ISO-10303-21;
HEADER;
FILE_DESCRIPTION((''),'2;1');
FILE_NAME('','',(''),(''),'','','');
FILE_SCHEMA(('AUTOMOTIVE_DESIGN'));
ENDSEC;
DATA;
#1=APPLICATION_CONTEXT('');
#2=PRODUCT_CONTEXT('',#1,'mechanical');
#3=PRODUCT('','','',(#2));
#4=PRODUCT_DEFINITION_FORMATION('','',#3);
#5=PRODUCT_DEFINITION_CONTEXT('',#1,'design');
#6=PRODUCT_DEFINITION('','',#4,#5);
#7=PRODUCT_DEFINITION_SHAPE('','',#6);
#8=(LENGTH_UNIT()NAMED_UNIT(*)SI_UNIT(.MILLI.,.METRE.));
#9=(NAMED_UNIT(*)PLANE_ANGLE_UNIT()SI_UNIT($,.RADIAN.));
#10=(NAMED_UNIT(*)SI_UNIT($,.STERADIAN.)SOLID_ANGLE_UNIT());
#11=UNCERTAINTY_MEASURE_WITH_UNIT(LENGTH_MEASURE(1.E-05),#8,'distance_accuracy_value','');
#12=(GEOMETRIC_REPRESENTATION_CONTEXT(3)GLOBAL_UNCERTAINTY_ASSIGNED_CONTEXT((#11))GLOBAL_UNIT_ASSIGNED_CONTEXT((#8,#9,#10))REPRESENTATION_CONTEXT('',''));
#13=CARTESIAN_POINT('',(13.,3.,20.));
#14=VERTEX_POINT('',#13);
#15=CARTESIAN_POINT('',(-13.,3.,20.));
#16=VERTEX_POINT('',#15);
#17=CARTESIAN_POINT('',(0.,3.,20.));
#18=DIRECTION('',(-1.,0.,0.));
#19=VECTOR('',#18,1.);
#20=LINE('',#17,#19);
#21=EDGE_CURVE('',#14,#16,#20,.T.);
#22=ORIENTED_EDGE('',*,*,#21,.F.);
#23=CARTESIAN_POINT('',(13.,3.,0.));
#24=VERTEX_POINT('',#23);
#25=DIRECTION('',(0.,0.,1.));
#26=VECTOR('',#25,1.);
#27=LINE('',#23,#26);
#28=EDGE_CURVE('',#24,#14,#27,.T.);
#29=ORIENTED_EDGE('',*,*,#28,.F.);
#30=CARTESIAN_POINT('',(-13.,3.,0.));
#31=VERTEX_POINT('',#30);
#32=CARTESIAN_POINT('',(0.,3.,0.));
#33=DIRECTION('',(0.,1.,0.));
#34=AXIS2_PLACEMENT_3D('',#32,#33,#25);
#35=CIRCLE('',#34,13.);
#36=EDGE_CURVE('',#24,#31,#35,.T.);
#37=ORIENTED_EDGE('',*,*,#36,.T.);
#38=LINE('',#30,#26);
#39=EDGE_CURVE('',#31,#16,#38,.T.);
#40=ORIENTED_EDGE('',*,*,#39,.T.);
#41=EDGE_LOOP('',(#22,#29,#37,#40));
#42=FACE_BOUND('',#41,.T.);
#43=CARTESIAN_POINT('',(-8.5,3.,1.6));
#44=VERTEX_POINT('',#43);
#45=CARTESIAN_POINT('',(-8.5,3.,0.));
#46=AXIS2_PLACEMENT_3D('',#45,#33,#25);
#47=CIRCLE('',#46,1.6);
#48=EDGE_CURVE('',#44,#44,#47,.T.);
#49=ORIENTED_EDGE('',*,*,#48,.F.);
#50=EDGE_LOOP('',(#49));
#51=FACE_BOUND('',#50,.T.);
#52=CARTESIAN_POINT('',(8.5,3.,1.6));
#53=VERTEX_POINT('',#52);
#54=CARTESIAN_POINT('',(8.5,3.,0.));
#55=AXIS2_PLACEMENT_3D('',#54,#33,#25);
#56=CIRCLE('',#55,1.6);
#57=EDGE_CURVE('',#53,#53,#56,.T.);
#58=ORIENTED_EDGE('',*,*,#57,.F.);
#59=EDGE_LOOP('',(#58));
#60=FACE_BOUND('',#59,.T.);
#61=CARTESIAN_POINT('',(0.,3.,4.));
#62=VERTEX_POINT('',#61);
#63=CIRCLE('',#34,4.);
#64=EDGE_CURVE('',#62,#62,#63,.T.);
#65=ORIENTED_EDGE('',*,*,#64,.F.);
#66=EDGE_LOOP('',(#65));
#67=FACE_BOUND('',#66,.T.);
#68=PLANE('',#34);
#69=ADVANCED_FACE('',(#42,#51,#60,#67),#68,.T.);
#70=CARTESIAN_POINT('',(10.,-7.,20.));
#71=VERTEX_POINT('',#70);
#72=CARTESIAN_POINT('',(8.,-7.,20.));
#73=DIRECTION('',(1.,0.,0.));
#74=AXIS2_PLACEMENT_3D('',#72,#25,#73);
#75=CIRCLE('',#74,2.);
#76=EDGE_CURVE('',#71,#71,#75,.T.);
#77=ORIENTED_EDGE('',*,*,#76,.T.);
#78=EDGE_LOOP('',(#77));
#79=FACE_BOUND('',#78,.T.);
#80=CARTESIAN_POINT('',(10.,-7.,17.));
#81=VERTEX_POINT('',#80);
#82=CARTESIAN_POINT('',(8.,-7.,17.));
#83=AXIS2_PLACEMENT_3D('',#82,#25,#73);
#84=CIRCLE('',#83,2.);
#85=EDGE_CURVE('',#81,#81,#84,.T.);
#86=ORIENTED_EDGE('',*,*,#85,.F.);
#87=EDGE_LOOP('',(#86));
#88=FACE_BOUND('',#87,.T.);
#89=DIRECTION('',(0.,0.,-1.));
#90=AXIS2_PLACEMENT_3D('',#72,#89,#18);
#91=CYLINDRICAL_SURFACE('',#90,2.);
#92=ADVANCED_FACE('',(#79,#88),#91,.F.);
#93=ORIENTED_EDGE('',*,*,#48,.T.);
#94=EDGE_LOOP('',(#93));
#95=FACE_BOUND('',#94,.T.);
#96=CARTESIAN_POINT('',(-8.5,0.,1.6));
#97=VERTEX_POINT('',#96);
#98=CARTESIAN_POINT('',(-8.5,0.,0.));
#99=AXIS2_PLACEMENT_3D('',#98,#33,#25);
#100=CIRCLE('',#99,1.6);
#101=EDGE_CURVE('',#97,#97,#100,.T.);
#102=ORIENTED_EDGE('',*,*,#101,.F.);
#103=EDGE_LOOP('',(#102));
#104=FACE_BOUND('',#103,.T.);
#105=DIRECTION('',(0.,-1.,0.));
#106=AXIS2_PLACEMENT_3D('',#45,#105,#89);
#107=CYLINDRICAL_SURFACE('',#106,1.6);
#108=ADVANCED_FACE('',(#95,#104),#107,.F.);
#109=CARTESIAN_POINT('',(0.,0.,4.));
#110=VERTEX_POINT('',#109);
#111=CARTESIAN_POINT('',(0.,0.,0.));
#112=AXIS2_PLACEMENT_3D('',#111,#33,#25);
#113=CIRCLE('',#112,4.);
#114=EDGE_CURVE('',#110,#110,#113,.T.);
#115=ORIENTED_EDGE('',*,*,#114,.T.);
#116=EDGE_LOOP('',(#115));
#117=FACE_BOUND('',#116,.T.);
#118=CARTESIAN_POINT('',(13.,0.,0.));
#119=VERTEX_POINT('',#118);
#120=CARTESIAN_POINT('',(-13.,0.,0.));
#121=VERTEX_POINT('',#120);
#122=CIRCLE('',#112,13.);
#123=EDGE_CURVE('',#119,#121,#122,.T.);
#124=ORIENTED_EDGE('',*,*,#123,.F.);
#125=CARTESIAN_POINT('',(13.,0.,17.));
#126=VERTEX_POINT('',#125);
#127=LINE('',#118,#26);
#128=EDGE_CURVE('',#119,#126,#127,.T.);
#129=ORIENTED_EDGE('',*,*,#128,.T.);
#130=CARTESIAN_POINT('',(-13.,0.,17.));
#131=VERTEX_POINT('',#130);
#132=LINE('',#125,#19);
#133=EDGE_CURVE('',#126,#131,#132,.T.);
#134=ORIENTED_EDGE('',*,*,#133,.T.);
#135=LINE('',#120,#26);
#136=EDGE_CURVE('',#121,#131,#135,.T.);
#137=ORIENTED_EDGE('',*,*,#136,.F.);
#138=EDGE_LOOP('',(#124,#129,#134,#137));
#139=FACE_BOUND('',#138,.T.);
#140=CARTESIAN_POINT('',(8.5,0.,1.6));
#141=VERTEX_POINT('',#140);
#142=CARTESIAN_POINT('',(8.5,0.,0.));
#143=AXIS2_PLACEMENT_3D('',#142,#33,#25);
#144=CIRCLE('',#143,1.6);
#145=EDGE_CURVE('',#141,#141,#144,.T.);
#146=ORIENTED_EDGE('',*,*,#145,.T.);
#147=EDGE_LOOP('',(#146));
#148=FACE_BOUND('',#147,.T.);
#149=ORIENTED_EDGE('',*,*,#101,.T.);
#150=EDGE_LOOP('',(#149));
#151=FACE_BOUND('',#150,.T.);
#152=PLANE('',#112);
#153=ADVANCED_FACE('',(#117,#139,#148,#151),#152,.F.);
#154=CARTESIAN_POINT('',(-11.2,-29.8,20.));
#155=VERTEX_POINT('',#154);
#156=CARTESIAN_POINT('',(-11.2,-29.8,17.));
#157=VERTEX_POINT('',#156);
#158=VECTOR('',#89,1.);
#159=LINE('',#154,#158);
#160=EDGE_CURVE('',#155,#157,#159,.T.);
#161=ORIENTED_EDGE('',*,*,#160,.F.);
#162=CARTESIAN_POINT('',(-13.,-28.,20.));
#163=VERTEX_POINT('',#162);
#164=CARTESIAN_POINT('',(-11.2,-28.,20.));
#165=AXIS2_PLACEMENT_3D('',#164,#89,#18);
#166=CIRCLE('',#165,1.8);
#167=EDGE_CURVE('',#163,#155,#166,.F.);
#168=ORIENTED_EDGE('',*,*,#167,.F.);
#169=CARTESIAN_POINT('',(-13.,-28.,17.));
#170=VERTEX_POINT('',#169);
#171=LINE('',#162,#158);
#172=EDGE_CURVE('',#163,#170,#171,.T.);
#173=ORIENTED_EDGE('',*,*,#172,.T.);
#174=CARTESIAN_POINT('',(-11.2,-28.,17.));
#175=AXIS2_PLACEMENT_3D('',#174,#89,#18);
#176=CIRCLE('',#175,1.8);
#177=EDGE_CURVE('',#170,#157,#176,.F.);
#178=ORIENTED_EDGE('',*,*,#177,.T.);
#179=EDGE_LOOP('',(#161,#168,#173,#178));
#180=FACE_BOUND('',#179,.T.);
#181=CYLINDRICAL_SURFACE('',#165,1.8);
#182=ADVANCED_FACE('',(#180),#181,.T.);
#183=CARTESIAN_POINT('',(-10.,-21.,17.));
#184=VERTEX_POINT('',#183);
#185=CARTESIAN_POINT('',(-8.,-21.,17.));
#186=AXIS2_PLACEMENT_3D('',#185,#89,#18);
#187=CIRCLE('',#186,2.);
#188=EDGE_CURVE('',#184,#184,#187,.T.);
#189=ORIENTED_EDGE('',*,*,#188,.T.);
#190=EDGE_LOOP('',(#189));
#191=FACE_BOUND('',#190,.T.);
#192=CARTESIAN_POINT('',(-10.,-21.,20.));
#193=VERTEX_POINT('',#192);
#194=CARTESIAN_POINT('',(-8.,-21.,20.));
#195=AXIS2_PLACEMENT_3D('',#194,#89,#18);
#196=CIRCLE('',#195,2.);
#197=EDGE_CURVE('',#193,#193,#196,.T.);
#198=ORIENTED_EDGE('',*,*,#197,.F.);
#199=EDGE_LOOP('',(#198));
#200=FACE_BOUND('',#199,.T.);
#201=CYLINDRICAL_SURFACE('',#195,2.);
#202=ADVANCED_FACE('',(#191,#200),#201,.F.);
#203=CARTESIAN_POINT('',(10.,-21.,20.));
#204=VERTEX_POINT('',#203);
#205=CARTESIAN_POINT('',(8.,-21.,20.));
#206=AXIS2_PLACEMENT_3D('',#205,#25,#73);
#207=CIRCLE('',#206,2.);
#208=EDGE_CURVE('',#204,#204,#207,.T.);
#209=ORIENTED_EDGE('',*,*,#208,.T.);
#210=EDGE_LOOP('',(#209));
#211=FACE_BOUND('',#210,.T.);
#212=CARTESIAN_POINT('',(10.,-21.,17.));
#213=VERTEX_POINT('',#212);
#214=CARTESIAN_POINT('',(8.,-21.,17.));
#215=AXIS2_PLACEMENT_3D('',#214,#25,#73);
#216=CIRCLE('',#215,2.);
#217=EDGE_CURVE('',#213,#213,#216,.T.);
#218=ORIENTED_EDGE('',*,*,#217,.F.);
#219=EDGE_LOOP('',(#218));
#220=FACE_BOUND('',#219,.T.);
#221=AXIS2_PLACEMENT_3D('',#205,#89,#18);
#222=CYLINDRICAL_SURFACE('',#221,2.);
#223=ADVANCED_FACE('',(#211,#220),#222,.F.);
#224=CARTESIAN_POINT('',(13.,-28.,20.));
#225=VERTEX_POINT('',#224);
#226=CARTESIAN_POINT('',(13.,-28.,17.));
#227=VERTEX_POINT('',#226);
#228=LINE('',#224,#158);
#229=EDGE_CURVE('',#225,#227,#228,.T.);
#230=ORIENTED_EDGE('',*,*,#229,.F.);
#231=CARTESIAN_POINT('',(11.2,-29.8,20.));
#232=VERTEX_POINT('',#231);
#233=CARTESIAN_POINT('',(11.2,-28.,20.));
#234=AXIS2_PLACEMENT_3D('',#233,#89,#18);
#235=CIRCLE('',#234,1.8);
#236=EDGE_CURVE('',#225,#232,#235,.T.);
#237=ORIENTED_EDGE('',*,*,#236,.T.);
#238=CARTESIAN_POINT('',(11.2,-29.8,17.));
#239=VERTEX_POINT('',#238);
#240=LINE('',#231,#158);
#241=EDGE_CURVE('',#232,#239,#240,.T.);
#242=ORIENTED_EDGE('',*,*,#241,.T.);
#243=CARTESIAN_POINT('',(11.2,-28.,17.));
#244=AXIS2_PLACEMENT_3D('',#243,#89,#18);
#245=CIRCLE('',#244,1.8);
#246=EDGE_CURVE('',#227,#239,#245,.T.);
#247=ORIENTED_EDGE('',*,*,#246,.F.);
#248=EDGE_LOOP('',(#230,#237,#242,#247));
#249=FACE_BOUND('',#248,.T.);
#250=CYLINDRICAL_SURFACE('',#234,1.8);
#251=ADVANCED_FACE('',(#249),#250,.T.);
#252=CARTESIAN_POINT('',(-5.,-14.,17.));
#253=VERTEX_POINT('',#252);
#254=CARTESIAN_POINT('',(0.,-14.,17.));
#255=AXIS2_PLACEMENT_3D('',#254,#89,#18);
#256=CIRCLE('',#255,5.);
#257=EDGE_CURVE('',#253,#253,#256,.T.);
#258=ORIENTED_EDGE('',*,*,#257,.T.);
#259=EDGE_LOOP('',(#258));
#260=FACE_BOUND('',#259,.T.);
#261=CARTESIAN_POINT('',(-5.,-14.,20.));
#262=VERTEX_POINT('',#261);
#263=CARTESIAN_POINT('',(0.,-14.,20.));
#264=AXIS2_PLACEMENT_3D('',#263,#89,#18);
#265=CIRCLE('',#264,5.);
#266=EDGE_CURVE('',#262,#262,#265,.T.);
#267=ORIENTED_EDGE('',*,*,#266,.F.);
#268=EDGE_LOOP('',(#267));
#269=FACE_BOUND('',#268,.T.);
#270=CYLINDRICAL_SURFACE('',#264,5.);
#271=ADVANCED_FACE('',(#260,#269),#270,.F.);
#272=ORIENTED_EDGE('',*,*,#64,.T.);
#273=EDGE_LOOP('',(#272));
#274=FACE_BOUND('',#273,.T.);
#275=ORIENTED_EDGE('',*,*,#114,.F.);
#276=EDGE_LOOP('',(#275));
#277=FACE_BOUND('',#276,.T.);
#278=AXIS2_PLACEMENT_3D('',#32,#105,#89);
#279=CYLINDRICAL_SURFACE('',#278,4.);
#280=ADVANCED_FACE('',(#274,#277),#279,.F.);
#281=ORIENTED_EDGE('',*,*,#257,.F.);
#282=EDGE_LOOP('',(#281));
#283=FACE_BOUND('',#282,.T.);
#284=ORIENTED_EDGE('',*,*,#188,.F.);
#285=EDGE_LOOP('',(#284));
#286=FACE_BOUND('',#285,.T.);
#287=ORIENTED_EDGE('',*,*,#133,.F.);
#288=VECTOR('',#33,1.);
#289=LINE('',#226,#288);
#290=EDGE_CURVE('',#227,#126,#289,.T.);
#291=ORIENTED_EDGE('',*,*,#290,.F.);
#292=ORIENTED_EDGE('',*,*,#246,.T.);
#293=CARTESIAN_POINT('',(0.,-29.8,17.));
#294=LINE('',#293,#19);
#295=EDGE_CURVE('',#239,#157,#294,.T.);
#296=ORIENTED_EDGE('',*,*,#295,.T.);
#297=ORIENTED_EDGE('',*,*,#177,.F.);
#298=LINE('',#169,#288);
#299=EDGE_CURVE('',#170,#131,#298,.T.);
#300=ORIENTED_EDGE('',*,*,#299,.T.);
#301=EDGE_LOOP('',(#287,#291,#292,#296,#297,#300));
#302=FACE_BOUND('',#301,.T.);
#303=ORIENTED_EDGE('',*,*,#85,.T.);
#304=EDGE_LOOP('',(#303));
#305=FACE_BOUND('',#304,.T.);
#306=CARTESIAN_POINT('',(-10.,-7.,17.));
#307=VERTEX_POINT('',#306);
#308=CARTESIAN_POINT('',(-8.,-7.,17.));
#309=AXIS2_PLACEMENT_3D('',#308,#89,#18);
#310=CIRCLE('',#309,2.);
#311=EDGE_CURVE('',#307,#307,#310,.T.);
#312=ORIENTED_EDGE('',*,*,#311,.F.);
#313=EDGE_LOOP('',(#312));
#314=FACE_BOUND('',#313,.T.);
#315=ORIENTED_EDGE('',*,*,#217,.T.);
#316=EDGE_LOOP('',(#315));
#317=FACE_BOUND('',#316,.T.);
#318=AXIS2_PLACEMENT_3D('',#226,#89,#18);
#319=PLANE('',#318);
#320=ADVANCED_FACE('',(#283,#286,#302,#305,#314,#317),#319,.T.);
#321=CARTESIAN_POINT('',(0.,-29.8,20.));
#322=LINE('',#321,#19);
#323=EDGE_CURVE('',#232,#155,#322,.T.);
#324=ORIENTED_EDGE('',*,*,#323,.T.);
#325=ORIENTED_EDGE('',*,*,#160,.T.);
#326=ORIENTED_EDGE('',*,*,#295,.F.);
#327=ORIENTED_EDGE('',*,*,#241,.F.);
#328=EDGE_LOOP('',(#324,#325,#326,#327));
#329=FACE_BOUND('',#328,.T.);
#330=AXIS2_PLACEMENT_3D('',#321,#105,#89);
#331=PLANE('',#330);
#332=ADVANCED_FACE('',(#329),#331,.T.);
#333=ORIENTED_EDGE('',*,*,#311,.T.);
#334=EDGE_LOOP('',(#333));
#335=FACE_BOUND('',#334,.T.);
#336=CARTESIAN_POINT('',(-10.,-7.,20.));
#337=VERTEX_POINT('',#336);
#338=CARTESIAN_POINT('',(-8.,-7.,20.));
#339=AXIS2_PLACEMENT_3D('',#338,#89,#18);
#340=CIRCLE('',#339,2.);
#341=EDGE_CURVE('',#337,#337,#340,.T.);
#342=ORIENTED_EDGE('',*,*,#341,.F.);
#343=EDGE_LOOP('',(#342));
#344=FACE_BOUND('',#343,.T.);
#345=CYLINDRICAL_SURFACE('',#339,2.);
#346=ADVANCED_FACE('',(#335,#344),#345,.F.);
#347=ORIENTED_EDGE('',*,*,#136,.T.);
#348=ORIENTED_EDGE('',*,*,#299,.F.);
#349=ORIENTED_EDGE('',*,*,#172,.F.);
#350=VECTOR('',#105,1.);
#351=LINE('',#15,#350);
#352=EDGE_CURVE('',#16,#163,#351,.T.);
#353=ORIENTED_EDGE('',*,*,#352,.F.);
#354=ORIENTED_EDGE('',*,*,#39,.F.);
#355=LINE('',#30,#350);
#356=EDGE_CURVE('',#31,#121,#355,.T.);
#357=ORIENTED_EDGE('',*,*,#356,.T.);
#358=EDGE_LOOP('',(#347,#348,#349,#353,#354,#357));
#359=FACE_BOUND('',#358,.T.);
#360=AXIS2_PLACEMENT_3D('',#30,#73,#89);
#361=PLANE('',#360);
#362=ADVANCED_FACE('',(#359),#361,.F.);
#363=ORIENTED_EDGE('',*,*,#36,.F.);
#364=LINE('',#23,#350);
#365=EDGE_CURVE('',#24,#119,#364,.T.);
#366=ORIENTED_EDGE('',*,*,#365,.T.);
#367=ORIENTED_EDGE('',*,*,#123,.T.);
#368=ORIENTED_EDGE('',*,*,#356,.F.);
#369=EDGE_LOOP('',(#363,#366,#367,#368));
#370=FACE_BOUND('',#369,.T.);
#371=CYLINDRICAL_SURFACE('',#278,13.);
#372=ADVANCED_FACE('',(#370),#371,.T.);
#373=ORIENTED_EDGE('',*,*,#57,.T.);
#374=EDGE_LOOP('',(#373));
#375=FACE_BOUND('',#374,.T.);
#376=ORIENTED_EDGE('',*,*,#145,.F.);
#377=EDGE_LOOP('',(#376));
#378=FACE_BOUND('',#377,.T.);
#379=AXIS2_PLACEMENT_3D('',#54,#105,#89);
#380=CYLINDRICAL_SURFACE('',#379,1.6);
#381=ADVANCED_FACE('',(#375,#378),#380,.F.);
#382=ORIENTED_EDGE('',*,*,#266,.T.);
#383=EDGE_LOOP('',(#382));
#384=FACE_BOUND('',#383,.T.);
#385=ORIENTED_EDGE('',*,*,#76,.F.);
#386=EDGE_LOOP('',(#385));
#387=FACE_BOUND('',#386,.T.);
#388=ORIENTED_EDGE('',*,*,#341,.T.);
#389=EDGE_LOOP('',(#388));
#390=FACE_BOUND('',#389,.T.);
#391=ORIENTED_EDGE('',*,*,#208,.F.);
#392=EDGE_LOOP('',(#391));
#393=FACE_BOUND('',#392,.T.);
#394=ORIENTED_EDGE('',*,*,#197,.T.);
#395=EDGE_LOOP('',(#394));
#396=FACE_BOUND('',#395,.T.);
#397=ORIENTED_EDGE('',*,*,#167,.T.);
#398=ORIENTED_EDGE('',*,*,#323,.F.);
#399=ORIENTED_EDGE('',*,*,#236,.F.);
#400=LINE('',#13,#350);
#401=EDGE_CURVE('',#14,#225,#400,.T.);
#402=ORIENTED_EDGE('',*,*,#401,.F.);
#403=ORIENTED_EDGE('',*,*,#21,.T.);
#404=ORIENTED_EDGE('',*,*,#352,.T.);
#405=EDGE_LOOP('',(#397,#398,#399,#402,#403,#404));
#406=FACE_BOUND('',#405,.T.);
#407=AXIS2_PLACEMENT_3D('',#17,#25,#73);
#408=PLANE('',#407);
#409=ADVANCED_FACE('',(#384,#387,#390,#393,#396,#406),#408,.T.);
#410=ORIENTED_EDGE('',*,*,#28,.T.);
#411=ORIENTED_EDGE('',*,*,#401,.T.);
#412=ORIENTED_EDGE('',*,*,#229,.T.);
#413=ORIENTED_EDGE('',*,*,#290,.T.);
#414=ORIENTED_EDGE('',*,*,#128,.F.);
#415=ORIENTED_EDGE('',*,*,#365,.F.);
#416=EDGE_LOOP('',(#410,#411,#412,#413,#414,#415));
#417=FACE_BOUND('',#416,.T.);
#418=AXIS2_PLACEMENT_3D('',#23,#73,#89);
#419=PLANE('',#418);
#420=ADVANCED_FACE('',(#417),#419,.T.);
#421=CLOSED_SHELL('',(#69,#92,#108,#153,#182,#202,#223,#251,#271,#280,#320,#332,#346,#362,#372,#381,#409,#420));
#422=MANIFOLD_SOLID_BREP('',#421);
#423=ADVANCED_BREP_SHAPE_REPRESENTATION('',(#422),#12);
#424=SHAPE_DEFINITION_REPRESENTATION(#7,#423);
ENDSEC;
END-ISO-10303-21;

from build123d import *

# Parameters (mm, degrees)
SKETCH_1_R          = 1.6
SKETCH_1_R_2        = 4
EXTRUDE_1_DEPTH     = 3
SKETCH_2_W          = 26
SKETCH_2_H          = 3
EXTRUDE_2_DEPTH     = 28
SKETCH_3_R          = 5
SKETCH_3_R_2        = 2
CUT_EXTRUDE_1_DEPTH = 44.0464865
EXTRUDE_3_DEPTH     = 3


with BuildPart() as part:
    # 草图1 → 凸台-拉伸1 (new body)
    with BuildSketch(Plane(origin=(0, 0, 0), x_dir=(1, 0, 0), z_dir=(0, 1, 0))):
        with BuildLine():
            ThreePointArc((13, 0), (0, 13), (-13, 0))
            Line((-13, 0), (-13, -20))
            Line((-13, -20), (13, -20))
            Line((13, -20), (13, 0))
        make_face()
        with Locations((8.5, 0)):
            Circle(SKETCH_1_R, mode=Mode.SUBTRACT)
        with Locations((-8.5, 0)):
            Circle(SKETCH_1_R, mode=Mode.SUBTRACT)
        Circle(SKETCH_1_R_2, mode=Mode.SUBTRACT)
    extrude(amount=EXTRUDE_1_DEPTH)

    # 草图2 → 凸台-拉伸2 (add)
    with BuildSketch(Plane.XZ):
        with Locations((0, 18.5)):
            Rectangle(SKETCH_2_W, SKETCH_2_H)
    extrude(amount=EXTRUDE_2_DEPTH)

    # 草图3 → 切除-拉伸1 (cut, through all)
    with BuildSketch(Plane(origin=(0, 0, 17), x_dir=(-1, 0, 0), z_dir=(0, 0, -1))):
        with Locations((0, -14)):
            Circle(SKETCH_3_R)
        with Locations((8, -7)):
            Circle(SKETCH_3_R_2)
        with Locations((8, -21)):
            Circle(SKETCH_3_R_2)
        with Locations((-8, -21)):
            Circle(SKETCH_3_R_2)
        with Locations((-8, -7)):
            Circle(SKETCH_3_R_2)
    extrude(amount=-CUT_EXTRUDE_1_DEPTH, mode=Mode.SUBTRACT)

    # 草图3<4> → 凸台-拉伸3 (add)
    with BuildSketch(Plane(origin=(0, 0, 17), x_dir=(-1, 0, 0), z_dir=(0, 0, -1))):
        with BuildLine():
            Line((13, -28), (-13, -28))
            ThreePointArc((-13, -28), (-12.472792206, -29.272792206), (-11.2, -29.8))
            Line((-11.2, -29.8), (11.2, -29.8))
            ThreePointArc((11.2, -29.8), (12.472792206, -29.272792206), (13, -28))
        make_face()
    extrude(amount=-EXTRUDE_3_DEPTH)


solid = part.part
